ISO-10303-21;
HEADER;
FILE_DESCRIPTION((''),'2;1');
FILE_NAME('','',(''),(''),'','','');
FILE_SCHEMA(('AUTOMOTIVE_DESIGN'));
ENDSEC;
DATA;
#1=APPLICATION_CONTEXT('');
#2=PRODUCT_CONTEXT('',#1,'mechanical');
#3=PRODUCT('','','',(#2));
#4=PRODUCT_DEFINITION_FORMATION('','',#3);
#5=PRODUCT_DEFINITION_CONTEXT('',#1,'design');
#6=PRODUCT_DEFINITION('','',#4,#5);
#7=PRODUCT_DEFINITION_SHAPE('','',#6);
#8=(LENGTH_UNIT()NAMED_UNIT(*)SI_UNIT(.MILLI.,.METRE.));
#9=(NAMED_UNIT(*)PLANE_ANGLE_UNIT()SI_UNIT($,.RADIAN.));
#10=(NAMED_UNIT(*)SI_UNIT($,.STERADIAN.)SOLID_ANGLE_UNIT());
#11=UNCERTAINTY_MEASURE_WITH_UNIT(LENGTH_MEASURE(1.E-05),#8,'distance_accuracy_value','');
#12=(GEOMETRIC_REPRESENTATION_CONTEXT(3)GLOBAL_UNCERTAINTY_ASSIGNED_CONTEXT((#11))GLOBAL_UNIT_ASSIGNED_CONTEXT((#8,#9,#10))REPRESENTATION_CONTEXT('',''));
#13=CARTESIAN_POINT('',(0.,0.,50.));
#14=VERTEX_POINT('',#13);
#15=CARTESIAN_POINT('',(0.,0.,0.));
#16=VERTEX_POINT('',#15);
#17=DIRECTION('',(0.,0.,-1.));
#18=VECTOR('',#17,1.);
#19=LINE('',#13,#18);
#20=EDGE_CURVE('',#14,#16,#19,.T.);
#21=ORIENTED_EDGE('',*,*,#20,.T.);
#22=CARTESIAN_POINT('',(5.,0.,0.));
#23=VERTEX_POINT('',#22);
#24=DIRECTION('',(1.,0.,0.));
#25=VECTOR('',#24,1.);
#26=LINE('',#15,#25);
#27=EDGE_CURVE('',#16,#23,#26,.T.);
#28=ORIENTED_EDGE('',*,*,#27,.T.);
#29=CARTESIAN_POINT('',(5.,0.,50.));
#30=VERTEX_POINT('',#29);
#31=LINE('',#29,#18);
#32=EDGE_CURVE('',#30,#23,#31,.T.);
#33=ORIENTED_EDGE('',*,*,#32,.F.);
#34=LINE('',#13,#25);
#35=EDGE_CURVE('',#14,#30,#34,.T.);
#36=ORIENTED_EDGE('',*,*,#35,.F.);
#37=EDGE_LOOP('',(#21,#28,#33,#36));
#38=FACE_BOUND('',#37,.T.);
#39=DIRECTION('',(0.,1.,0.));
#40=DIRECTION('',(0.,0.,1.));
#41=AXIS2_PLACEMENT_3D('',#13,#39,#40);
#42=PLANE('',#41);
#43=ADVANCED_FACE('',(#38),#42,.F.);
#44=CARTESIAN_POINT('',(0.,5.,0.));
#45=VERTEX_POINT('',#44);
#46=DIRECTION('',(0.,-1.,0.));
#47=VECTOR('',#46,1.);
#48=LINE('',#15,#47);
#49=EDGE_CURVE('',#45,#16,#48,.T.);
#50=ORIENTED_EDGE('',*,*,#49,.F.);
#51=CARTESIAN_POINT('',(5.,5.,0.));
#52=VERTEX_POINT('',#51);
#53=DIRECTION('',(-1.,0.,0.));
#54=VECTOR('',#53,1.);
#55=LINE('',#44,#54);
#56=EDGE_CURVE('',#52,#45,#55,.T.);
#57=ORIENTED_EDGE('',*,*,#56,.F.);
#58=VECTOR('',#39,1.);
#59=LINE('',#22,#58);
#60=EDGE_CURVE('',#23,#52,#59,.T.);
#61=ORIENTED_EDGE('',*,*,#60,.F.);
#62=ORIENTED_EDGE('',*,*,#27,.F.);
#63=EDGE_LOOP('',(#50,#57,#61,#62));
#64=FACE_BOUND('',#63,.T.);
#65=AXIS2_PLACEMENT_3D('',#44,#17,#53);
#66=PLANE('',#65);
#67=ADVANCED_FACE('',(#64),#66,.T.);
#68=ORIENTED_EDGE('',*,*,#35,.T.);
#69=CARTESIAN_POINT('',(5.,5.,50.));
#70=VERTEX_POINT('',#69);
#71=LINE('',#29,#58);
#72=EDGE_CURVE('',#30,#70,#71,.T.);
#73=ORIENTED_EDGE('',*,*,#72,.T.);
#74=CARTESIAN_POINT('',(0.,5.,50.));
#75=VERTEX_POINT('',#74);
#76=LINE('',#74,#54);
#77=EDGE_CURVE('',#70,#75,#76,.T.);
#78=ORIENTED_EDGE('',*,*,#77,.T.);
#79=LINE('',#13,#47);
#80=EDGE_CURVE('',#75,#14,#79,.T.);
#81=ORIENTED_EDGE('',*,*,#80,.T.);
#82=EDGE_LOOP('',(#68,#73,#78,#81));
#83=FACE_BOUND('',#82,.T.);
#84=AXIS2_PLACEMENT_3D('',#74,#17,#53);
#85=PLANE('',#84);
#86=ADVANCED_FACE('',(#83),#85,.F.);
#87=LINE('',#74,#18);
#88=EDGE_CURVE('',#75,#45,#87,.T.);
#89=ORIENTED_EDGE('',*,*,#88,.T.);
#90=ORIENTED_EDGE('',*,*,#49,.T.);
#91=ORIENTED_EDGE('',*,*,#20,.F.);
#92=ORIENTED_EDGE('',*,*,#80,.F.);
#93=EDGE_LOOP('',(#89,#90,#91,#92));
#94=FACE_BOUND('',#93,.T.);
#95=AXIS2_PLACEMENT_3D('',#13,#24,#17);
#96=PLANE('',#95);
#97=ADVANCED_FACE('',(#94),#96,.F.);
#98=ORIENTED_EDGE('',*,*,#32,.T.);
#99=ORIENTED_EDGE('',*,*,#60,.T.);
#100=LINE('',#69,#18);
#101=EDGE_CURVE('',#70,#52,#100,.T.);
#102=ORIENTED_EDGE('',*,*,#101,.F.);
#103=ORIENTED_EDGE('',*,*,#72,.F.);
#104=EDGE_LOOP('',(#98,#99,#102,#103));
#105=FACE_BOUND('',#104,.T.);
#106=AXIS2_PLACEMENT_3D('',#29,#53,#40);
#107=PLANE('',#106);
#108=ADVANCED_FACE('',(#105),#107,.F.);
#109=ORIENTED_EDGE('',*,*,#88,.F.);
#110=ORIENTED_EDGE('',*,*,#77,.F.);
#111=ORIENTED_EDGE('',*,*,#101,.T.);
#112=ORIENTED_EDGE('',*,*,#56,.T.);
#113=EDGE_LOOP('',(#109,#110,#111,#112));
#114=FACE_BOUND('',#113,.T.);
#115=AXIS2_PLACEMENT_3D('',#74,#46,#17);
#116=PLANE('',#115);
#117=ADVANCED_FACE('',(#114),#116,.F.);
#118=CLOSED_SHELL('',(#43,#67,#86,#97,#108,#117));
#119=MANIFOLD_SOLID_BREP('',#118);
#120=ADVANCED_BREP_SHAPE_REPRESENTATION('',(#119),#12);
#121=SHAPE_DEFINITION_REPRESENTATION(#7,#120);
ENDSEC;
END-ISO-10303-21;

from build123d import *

# Parameters (mm, degrees)
SKETCH1_W           = 5
SKETCH1_H           = 5
BOSS_EXTRUDE1_DEPTH = 50


with BuildPart() as part:
    # Sketch1 → Boss-Extrude1 (new body)
    with BuildSketch(Plane.XY):
        with Locations((2.5, 2.5)):
            Rectangle(SKETCH1_W, SKETCH1_H)
    extrude(amount=BOSS_EXTRUDE1_DEPTH)


solid = part.part
